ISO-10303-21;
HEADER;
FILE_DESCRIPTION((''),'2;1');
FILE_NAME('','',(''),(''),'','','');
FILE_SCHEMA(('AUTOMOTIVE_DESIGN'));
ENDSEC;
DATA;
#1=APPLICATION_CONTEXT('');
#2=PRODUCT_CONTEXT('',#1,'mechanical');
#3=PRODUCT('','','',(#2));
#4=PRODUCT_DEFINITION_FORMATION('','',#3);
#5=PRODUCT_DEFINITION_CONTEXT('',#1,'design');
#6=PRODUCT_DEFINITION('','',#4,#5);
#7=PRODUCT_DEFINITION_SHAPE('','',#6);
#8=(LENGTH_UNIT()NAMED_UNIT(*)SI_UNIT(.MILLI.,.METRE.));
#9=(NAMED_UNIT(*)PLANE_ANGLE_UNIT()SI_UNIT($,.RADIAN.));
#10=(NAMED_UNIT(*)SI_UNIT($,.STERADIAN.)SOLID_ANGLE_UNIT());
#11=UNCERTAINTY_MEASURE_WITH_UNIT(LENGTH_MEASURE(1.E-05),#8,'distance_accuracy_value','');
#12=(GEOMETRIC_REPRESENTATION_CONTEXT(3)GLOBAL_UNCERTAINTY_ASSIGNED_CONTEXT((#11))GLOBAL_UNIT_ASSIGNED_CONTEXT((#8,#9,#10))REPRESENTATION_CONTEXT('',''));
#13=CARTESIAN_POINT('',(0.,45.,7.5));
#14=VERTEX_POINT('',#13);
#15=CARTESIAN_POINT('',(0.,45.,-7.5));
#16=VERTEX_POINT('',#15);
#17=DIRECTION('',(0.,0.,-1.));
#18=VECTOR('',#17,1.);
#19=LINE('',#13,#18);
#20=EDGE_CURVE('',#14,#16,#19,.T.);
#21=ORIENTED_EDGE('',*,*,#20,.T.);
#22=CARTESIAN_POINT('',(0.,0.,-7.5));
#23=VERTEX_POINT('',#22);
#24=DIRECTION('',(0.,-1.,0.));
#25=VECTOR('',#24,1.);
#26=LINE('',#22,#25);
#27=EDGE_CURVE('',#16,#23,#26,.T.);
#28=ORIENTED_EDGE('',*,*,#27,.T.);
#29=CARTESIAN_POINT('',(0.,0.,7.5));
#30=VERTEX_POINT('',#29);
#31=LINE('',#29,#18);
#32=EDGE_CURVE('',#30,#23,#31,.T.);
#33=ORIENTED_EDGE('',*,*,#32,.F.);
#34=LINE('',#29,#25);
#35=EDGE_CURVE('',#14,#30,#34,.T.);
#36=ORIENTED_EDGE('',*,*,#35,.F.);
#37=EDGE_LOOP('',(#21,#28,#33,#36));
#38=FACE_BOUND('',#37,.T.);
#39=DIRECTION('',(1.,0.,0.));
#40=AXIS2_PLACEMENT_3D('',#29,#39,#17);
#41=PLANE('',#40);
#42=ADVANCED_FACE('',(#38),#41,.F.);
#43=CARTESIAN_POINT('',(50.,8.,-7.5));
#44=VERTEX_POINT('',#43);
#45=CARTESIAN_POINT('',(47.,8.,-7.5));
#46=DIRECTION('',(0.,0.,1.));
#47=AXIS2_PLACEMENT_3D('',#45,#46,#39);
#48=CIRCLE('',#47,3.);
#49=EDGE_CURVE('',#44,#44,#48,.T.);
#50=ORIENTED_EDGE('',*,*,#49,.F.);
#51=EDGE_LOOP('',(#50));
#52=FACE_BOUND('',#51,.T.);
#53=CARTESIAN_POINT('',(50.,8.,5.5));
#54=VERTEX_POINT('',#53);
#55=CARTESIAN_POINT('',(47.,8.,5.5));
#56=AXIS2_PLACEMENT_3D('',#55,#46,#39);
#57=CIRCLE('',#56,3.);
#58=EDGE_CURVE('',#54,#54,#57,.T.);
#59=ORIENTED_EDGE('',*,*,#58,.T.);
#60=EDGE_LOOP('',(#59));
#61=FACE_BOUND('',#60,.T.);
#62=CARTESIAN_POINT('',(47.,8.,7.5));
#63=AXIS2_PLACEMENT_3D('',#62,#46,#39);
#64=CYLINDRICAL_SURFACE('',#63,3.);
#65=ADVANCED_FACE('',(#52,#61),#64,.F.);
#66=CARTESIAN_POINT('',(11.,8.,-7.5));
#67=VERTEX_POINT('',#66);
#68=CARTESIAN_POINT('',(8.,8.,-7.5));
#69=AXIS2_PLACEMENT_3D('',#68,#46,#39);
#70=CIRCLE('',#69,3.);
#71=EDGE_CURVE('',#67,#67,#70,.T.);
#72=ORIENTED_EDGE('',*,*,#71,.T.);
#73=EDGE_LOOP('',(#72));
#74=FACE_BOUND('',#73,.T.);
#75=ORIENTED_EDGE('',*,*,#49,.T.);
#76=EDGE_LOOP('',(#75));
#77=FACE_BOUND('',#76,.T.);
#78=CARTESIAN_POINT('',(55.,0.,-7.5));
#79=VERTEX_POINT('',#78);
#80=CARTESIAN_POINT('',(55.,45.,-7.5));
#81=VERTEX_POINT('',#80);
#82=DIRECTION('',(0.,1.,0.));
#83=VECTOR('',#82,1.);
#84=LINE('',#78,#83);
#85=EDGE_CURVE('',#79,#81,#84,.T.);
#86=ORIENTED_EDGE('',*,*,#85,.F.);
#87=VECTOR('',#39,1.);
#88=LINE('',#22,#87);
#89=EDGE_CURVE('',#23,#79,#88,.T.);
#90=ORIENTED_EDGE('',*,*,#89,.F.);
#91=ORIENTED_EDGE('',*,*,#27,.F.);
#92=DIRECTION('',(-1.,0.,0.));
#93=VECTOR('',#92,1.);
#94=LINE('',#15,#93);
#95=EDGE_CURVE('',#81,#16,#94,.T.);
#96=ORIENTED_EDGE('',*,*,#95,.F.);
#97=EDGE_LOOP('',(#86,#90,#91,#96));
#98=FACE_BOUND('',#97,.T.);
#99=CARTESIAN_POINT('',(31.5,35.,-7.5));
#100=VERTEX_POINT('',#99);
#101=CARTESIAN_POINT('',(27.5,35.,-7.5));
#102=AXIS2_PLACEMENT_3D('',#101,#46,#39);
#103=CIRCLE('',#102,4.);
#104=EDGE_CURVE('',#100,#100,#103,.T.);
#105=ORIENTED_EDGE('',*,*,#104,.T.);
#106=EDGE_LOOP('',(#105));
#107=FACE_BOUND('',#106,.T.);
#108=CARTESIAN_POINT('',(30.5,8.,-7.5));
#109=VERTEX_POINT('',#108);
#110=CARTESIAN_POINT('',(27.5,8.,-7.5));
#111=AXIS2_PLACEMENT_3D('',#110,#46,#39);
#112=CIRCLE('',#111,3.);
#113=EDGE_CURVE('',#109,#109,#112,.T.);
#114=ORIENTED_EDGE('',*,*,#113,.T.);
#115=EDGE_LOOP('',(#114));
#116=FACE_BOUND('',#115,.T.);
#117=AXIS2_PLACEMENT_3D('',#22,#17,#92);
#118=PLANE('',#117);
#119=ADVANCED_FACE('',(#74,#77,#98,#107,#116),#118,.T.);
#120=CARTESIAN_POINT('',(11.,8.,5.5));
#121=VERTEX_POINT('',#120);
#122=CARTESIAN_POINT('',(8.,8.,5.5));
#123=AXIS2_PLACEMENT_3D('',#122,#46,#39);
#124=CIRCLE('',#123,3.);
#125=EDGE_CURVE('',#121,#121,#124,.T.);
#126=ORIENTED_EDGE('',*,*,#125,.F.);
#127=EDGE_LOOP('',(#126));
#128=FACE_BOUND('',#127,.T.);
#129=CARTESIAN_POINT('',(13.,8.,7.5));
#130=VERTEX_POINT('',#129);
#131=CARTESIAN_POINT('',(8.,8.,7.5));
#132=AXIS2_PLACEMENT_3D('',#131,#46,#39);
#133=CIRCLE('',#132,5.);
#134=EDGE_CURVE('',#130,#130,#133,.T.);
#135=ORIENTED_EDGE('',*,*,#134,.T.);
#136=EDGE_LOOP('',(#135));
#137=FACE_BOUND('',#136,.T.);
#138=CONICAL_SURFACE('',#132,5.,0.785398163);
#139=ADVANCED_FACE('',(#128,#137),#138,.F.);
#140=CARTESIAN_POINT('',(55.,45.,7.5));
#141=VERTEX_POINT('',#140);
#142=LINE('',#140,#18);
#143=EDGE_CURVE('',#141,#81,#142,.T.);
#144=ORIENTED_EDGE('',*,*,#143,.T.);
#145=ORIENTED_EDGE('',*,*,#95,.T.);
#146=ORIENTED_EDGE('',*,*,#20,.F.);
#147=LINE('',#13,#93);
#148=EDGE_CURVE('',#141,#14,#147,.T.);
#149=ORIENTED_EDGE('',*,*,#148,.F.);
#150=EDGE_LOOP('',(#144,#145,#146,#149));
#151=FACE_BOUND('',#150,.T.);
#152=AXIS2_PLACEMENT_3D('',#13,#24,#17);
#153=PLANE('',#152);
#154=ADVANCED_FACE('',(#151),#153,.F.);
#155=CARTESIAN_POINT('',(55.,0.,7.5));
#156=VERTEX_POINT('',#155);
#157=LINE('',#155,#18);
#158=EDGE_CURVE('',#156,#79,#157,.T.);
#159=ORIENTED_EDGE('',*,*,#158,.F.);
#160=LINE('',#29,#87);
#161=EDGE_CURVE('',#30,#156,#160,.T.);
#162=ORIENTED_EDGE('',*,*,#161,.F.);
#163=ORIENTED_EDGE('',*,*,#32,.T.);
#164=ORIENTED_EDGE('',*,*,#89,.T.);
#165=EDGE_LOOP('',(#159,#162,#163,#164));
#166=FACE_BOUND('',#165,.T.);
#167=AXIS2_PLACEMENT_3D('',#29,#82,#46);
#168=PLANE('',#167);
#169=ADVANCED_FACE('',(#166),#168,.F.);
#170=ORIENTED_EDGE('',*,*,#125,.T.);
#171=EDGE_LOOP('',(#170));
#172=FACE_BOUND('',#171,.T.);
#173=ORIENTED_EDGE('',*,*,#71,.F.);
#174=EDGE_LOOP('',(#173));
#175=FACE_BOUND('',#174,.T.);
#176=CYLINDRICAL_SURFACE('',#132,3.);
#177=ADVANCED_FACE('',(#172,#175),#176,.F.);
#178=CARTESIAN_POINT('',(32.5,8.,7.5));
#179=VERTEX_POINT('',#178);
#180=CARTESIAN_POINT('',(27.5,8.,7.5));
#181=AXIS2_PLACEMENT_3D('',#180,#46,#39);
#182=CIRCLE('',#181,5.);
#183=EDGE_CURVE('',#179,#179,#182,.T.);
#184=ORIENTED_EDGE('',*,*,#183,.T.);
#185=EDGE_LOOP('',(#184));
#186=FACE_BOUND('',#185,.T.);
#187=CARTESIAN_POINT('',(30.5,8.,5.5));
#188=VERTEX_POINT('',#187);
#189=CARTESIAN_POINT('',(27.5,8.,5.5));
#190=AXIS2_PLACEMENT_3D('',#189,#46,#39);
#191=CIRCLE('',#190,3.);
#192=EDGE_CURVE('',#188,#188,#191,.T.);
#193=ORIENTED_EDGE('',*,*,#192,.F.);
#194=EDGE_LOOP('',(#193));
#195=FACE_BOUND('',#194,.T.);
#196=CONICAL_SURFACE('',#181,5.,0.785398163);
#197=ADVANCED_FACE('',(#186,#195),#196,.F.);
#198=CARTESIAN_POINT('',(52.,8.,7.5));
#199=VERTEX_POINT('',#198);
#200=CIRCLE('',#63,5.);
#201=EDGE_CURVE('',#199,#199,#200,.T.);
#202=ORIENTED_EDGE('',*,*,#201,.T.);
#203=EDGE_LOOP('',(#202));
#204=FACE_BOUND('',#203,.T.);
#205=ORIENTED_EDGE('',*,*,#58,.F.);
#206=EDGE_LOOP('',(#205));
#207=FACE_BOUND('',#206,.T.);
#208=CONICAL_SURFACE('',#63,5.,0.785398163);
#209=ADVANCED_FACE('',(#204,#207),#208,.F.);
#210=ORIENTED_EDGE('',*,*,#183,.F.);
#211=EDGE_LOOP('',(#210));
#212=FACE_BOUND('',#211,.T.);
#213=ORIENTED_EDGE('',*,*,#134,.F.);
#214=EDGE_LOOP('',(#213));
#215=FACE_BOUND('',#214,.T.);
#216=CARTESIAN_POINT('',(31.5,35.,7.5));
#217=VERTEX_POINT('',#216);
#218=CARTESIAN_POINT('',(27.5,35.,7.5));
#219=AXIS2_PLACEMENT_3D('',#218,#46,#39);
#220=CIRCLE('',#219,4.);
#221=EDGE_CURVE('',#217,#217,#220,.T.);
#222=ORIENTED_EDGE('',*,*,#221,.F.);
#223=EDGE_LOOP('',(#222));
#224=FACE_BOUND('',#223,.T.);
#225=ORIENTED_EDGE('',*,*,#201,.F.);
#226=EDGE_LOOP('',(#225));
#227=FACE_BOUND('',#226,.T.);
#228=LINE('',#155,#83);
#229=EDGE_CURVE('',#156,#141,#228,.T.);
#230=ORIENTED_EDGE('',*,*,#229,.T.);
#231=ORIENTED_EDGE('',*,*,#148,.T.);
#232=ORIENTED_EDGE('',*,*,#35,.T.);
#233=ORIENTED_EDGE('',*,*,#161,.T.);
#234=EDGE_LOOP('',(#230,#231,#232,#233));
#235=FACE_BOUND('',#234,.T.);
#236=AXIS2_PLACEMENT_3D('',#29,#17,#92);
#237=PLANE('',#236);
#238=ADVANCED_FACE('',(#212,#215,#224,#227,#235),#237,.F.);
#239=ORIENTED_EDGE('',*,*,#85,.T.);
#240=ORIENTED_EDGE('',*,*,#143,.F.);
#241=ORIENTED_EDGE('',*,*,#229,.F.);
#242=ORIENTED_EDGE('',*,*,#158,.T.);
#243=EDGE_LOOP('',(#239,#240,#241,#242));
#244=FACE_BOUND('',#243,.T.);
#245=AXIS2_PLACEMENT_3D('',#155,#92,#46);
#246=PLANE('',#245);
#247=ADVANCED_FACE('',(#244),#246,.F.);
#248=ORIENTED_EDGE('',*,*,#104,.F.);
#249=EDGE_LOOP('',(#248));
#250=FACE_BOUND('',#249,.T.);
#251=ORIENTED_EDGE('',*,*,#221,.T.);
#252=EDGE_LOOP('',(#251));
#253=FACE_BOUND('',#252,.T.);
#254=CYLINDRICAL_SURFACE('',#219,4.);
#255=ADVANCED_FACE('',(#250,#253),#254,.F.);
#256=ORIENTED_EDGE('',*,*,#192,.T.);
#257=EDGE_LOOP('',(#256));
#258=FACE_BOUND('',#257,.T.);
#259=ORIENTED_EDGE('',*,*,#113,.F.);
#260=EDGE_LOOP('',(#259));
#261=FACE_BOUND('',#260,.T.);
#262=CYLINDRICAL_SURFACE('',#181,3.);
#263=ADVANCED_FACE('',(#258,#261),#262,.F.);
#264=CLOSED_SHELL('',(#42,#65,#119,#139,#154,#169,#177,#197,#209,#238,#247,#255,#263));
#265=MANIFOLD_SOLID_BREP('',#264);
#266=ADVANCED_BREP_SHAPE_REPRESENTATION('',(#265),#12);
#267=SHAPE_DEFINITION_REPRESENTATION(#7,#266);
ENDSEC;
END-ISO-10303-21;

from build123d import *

# Parameters (mm, degrees)
SKETCH1_W                       = 55
SKETCH1_H                       = 45
BOSS_EXTRUDE1_DEPTH             = 7.5
F_6_0MM_DOWEL_HOLE1_D           = 6
F_6_0MM_DOWEL_HOLE1_CSINK_D     = 10
F_6_0MM_DOWEL_HOLE1_CSINK_ANGLE = 90
F_8_0MM_DOWEL_HOLE1_D           = 8


with BuildPart() as part:
    # Sketch1 → Boss-Extrude1 (new body, symmetric)
    with BuildSketch(Plane.XY):
        with Locations((27.5, 22.5)):
            Rectangle(SKETCH1_W, SKETCH1_H)
    extrude(amount=BOSS_EXTRUDE1_DEPTH, both=True)

    # Ø6.0mm Dowel Hole1 (through all)
    with Locations(Plane(origin=(8, 8, 7.5), x_dir=(1, 0, 0), z_dir=(0, 0, 1))):
        with Locations((0, 0), (19.5, 0), (39, 0)):
            CounterSinkHole(F_6_0MM_DOWEL_HOLE1_D / 2, F_6_0MM_DOWEL_HOLE1_CSINK_D / 2, counter_sink_angle=F_6_0MM_DOWEL_HOLE1_CSINK_ANGLE)

    # Ø8.0mm Dowel Hole1 (through all)
    with Locations(Plane(origin=(27.5, 35, 7.5), x_dir=(1, 0, 0), z_dir=(0, 0, 1))):
        with Locations((0, 0)):
            Hole(F_8_0MM_DOWEL_HOLE1_D / 2)


solid = part.part
